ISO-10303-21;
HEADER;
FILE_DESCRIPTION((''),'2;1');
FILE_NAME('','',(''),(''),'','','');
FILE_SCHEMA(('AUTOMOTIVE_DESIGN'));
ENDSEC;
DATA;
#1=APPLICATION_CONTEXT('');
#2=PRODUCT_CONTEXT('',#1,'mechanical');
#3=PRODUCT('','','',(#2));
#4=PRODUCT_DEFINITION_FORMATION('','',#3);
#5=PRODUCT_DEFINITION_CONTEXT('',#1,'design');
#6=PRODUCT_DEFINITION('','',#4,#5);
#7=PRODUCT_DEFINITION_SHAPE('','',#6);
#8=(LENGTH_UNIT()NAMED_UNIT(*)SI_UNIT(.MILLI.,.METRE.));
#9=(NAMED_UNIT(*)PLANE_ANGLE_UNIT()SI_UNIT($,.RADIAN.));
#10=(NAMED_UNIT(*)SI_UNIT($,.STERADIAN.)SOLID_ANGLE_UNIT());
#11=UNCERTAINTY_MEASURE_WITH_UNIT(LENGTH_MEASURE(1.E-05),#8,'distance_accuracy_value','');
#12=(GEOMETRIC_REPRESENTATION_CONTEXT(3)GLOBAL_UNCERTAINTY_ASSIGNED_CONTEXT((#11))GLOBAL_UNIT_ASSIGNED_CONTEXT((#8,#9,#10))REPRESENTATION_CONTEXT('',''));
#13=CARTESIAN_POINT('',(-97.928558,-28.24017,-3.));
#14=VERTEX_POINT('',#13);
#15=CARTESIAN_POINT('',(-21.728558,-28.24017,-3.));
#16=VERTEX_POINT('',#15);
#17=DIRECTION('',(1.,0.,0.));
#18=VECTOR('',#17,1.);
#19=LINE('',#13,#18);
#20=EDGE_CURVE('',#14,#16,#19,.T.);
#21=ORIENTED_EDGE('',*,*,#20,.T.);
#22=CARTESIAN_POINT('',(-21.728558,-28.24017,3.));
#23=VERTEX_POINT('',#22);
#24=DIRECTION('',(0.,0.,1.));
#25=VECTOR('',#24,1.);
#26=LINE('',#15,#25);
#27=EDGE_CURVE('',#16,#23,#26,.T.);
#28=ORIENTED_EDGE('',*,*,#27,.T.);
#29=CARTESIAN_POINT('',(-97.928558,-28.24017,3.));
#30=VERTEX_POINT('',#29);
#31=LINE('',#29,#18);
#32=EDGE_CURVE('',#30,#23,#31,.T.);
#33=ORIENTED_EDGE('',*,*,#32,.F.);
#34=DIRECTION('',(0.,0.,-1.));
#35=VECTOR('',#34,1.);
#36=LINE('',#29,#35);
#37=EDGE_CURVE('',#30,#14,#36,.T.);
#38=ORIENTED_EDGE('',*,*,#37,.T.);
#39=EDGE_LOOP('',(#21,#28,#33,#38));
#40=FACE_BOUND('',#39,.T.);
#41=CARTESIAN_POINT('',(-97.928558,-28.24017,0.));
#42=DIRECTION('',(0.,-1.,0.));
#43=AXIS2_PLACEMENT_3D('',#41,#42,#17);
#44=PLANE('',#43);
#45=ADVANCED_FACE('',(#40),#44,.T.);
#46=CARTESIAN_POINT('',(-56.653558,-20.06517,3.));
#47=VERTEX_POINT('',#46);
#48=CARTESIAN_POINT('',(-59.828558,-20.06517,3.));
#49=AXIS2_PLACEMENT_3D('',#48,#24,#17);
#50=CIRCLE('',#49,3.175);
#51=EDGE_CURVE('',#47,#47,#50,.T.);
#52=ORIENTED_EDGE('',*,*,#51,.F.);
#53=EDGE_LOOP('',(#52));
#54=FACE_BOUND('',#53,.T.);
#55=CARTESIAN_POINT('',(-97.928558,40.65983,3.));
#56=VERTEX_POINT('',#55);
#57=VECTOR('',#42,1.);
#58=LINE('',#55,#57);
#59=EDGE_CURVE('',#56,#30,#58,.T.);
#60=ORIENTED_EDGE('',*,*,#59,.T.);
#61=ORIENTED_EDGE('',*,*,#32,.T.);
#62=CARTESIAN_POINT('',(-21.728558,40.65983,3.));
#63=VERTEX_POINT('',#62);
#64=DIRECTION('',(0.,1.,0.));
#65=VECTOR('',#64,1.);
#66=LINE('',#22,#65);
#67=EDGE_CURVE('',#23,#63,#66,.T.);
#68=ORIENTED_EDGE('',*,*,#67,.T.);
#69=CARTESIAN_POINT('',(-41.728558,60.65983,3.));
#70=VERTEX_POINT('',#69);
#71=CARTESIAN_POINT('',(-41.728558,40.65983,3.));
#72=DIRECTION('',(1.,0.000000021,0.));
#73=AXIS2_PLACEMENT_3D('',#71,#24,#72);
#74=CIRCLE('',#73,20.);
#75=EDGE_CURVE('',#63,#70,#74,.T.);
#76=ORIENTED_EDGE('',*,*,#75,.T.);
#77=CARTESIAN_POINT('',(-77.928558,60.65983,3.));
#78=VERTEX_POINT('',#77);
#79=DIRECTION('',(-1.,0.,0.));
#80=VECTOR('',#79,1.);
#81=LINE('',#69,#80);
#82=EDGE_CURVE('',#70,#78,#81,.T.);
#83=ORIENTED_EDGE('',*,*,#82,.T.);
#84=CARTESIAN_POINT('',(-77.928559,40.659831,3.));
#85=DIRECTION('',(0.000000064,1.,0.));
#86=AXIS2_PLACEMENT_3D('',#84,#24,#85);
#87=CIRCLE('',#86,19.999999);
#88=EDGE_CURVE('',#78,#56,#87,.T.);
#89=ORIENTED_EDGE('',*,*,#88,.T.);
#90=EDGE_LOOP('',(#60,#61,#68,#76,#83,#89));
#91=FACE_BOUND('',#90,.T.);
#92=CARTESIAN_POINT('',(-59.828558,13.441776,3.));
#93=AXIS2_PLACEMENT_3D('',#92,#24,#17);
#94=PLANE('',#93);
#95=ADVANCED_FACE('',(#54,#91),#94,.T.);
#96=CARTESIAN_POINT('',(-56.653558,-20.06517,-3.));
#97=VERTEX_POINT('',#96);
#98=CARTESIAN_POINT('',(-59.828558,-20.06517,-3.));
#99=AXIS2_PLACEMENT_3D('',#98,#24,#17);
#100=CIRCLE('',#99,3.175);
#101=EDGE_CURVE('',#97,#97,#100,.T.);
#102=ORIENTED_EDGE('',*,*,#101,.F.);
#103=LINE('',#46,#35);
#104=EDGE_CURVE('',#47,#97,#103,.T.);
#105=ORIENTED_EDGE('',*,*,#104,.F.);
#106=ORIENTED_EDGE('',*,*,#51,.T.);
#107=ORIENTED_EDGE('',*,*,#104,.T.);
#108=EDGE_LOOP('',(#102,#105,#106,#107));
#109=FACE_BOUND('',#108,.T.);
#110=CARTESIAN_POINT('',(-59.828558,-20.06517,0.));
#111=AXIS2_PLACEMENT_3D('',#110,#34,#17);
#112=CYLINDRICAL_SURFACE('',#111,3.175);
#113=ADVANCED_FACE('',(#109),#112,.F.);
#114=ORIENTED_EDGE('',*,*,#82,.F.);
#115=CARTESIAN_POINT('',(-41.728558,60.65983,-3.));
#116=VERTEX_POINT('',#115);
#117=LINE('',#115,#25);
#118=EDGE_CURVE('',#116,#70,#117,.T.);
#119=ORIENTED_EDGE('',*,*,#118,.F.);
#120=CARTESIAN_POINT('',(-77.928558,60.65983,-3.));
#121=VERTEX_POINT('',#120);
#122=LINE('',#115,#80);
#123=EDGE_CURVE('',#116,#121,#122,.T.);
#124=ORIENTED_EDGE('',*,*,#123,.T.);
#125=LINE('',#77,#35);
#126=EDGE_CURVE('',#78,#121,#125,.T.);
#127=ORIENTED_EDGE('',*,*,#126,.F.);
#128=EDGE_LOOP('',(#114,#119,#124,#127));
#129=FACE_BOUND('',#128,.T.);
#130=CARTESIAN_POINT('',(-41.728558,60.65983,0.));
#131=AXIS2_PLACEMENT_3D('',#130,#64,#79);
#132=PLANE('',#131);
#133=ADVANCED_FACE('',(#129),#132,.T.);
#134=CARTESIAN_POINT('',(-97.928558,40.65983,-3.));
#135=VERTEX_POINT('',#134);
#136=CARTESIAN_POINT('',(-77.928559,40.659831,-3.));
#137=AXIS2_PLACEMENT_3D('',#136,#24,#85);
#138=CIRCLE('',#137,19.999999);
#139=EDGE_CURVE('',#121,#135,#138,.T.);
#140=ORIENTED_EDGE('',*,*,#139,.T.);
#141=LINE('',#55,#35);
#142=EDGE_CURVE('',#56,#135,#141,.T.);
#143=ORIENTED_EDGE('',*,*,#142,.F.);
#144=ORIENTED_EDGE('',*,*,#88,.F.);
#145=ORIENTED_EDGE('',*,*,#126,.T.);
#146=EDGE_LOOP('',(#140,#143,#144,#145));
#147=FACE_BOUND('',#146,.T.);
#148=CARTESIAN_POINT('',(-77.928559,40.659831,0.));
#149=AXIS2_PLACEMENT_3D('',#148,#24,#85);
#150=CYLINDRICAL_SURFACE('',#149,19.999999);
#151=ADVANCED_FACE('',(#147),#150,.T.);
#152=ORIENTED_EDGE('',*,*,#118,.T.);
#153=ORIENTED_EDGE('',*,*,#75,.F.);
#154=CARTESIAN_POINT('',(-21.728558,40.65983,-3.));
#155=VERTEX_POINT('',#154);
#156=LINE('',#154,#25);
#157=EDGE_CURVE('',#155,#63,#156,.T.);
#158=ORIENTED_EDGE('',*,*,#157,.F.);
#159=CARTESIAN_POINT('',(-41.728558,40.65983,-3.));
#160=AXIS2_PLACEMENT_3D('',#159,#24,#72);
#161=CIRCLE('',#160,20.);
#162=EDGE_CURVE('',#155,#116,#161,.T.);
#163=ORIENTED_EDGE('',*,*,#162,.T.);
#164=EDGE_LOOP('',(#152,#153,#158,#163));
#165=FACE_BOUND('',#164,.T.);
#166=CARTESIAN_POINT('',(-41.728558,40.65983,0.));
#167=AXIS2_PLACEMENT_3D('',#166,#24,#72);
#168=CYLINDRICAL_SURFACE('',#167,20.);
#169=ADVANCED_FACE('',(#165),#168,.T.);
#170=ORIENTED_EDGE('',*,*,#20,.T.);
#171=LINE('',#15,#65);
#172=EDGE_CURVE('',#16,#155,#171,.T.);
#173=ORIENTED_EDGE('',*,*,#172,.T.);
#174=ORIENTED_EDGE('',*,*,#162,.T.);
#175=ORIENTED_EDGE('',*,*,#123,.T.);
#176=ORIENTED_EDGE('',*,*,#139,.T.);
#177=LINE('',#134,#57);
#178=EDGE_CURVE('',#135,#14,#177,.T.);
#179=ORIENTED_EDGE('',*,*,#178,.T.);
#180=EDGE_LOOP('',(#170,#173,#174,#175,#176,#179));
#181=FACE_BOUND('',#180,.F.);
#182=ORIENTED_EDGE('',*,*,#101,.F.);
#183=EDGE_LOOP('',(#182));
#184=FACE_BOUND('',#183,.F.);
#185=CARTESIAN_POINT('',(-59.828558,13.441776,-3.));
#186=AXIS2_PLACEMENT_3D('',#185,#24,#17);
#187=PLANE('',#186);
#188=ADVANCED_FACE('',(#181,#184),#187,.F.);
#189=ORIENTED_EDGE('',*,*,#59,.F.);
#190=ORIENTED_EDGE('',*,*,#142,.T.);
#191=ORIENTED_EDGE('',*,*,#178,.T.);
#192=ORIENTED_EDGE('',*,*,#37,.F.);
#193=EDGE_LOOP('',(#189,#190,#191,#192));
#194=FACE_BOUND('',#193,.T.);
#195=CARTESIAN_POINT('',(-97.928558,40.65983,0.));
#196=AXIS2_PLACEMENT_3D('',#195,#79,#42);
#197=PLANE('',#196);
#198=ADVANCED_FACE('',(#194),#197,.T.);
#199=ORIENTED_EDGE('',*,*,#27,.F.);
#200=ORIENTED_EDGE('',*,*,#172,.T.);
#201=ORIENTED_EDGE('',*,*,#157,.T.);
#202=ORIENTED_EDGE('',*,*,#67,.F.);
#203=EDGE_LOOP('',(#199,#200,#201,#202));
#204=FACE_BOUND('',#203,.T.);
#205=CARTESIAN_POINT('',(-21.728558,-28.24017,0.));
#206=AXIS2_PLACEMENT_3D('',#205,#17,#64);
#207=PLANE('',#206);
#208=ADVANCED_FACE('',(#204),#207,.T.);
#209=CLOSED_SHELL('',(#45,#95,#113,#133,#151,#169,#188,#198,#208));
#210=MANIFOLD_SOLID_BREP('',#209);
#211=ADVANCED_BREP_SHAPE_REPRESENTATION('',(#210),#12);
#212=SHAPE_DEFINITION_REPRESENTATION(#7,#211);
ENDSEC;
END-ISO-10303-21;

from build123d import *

# Parameters (mm, degrees)
F0_R     = 3.175
F1_DEPTH = 3


with BuildPart() as f1:
    # F0 (on Top) → F1 (new body, symmetric)
    with BuildSketch(Plane.XY):
        with BuildLine():
            Line((-97.928558, -28.24017), (-21.728558, -28.24017))
            Line((-21.728558, -28.24017), (-21.728558, 40.65983))
            ThreePointArc((-21.728558, 40.65983), (-27.586423, 54.801966), (-41.728558, 60.65983))
            Line((-41.728558, 60.65983), (-77.928558, 60.65983))
            ThreePointArc((-77.928558, 60.65983), (-92.070694, 54.801966), (-97.928558, 40.65983))
            Line((-97.928558, 40.65983), (-97.928558, -28.24017))
        make_face()
        with Locations((-59.828558, -20.06517)):
            Circle(F0_R, mode=Mode.SUBTRACT)
    extrude(amount=F1_DEPTH, both=True)


solid = f1.part
